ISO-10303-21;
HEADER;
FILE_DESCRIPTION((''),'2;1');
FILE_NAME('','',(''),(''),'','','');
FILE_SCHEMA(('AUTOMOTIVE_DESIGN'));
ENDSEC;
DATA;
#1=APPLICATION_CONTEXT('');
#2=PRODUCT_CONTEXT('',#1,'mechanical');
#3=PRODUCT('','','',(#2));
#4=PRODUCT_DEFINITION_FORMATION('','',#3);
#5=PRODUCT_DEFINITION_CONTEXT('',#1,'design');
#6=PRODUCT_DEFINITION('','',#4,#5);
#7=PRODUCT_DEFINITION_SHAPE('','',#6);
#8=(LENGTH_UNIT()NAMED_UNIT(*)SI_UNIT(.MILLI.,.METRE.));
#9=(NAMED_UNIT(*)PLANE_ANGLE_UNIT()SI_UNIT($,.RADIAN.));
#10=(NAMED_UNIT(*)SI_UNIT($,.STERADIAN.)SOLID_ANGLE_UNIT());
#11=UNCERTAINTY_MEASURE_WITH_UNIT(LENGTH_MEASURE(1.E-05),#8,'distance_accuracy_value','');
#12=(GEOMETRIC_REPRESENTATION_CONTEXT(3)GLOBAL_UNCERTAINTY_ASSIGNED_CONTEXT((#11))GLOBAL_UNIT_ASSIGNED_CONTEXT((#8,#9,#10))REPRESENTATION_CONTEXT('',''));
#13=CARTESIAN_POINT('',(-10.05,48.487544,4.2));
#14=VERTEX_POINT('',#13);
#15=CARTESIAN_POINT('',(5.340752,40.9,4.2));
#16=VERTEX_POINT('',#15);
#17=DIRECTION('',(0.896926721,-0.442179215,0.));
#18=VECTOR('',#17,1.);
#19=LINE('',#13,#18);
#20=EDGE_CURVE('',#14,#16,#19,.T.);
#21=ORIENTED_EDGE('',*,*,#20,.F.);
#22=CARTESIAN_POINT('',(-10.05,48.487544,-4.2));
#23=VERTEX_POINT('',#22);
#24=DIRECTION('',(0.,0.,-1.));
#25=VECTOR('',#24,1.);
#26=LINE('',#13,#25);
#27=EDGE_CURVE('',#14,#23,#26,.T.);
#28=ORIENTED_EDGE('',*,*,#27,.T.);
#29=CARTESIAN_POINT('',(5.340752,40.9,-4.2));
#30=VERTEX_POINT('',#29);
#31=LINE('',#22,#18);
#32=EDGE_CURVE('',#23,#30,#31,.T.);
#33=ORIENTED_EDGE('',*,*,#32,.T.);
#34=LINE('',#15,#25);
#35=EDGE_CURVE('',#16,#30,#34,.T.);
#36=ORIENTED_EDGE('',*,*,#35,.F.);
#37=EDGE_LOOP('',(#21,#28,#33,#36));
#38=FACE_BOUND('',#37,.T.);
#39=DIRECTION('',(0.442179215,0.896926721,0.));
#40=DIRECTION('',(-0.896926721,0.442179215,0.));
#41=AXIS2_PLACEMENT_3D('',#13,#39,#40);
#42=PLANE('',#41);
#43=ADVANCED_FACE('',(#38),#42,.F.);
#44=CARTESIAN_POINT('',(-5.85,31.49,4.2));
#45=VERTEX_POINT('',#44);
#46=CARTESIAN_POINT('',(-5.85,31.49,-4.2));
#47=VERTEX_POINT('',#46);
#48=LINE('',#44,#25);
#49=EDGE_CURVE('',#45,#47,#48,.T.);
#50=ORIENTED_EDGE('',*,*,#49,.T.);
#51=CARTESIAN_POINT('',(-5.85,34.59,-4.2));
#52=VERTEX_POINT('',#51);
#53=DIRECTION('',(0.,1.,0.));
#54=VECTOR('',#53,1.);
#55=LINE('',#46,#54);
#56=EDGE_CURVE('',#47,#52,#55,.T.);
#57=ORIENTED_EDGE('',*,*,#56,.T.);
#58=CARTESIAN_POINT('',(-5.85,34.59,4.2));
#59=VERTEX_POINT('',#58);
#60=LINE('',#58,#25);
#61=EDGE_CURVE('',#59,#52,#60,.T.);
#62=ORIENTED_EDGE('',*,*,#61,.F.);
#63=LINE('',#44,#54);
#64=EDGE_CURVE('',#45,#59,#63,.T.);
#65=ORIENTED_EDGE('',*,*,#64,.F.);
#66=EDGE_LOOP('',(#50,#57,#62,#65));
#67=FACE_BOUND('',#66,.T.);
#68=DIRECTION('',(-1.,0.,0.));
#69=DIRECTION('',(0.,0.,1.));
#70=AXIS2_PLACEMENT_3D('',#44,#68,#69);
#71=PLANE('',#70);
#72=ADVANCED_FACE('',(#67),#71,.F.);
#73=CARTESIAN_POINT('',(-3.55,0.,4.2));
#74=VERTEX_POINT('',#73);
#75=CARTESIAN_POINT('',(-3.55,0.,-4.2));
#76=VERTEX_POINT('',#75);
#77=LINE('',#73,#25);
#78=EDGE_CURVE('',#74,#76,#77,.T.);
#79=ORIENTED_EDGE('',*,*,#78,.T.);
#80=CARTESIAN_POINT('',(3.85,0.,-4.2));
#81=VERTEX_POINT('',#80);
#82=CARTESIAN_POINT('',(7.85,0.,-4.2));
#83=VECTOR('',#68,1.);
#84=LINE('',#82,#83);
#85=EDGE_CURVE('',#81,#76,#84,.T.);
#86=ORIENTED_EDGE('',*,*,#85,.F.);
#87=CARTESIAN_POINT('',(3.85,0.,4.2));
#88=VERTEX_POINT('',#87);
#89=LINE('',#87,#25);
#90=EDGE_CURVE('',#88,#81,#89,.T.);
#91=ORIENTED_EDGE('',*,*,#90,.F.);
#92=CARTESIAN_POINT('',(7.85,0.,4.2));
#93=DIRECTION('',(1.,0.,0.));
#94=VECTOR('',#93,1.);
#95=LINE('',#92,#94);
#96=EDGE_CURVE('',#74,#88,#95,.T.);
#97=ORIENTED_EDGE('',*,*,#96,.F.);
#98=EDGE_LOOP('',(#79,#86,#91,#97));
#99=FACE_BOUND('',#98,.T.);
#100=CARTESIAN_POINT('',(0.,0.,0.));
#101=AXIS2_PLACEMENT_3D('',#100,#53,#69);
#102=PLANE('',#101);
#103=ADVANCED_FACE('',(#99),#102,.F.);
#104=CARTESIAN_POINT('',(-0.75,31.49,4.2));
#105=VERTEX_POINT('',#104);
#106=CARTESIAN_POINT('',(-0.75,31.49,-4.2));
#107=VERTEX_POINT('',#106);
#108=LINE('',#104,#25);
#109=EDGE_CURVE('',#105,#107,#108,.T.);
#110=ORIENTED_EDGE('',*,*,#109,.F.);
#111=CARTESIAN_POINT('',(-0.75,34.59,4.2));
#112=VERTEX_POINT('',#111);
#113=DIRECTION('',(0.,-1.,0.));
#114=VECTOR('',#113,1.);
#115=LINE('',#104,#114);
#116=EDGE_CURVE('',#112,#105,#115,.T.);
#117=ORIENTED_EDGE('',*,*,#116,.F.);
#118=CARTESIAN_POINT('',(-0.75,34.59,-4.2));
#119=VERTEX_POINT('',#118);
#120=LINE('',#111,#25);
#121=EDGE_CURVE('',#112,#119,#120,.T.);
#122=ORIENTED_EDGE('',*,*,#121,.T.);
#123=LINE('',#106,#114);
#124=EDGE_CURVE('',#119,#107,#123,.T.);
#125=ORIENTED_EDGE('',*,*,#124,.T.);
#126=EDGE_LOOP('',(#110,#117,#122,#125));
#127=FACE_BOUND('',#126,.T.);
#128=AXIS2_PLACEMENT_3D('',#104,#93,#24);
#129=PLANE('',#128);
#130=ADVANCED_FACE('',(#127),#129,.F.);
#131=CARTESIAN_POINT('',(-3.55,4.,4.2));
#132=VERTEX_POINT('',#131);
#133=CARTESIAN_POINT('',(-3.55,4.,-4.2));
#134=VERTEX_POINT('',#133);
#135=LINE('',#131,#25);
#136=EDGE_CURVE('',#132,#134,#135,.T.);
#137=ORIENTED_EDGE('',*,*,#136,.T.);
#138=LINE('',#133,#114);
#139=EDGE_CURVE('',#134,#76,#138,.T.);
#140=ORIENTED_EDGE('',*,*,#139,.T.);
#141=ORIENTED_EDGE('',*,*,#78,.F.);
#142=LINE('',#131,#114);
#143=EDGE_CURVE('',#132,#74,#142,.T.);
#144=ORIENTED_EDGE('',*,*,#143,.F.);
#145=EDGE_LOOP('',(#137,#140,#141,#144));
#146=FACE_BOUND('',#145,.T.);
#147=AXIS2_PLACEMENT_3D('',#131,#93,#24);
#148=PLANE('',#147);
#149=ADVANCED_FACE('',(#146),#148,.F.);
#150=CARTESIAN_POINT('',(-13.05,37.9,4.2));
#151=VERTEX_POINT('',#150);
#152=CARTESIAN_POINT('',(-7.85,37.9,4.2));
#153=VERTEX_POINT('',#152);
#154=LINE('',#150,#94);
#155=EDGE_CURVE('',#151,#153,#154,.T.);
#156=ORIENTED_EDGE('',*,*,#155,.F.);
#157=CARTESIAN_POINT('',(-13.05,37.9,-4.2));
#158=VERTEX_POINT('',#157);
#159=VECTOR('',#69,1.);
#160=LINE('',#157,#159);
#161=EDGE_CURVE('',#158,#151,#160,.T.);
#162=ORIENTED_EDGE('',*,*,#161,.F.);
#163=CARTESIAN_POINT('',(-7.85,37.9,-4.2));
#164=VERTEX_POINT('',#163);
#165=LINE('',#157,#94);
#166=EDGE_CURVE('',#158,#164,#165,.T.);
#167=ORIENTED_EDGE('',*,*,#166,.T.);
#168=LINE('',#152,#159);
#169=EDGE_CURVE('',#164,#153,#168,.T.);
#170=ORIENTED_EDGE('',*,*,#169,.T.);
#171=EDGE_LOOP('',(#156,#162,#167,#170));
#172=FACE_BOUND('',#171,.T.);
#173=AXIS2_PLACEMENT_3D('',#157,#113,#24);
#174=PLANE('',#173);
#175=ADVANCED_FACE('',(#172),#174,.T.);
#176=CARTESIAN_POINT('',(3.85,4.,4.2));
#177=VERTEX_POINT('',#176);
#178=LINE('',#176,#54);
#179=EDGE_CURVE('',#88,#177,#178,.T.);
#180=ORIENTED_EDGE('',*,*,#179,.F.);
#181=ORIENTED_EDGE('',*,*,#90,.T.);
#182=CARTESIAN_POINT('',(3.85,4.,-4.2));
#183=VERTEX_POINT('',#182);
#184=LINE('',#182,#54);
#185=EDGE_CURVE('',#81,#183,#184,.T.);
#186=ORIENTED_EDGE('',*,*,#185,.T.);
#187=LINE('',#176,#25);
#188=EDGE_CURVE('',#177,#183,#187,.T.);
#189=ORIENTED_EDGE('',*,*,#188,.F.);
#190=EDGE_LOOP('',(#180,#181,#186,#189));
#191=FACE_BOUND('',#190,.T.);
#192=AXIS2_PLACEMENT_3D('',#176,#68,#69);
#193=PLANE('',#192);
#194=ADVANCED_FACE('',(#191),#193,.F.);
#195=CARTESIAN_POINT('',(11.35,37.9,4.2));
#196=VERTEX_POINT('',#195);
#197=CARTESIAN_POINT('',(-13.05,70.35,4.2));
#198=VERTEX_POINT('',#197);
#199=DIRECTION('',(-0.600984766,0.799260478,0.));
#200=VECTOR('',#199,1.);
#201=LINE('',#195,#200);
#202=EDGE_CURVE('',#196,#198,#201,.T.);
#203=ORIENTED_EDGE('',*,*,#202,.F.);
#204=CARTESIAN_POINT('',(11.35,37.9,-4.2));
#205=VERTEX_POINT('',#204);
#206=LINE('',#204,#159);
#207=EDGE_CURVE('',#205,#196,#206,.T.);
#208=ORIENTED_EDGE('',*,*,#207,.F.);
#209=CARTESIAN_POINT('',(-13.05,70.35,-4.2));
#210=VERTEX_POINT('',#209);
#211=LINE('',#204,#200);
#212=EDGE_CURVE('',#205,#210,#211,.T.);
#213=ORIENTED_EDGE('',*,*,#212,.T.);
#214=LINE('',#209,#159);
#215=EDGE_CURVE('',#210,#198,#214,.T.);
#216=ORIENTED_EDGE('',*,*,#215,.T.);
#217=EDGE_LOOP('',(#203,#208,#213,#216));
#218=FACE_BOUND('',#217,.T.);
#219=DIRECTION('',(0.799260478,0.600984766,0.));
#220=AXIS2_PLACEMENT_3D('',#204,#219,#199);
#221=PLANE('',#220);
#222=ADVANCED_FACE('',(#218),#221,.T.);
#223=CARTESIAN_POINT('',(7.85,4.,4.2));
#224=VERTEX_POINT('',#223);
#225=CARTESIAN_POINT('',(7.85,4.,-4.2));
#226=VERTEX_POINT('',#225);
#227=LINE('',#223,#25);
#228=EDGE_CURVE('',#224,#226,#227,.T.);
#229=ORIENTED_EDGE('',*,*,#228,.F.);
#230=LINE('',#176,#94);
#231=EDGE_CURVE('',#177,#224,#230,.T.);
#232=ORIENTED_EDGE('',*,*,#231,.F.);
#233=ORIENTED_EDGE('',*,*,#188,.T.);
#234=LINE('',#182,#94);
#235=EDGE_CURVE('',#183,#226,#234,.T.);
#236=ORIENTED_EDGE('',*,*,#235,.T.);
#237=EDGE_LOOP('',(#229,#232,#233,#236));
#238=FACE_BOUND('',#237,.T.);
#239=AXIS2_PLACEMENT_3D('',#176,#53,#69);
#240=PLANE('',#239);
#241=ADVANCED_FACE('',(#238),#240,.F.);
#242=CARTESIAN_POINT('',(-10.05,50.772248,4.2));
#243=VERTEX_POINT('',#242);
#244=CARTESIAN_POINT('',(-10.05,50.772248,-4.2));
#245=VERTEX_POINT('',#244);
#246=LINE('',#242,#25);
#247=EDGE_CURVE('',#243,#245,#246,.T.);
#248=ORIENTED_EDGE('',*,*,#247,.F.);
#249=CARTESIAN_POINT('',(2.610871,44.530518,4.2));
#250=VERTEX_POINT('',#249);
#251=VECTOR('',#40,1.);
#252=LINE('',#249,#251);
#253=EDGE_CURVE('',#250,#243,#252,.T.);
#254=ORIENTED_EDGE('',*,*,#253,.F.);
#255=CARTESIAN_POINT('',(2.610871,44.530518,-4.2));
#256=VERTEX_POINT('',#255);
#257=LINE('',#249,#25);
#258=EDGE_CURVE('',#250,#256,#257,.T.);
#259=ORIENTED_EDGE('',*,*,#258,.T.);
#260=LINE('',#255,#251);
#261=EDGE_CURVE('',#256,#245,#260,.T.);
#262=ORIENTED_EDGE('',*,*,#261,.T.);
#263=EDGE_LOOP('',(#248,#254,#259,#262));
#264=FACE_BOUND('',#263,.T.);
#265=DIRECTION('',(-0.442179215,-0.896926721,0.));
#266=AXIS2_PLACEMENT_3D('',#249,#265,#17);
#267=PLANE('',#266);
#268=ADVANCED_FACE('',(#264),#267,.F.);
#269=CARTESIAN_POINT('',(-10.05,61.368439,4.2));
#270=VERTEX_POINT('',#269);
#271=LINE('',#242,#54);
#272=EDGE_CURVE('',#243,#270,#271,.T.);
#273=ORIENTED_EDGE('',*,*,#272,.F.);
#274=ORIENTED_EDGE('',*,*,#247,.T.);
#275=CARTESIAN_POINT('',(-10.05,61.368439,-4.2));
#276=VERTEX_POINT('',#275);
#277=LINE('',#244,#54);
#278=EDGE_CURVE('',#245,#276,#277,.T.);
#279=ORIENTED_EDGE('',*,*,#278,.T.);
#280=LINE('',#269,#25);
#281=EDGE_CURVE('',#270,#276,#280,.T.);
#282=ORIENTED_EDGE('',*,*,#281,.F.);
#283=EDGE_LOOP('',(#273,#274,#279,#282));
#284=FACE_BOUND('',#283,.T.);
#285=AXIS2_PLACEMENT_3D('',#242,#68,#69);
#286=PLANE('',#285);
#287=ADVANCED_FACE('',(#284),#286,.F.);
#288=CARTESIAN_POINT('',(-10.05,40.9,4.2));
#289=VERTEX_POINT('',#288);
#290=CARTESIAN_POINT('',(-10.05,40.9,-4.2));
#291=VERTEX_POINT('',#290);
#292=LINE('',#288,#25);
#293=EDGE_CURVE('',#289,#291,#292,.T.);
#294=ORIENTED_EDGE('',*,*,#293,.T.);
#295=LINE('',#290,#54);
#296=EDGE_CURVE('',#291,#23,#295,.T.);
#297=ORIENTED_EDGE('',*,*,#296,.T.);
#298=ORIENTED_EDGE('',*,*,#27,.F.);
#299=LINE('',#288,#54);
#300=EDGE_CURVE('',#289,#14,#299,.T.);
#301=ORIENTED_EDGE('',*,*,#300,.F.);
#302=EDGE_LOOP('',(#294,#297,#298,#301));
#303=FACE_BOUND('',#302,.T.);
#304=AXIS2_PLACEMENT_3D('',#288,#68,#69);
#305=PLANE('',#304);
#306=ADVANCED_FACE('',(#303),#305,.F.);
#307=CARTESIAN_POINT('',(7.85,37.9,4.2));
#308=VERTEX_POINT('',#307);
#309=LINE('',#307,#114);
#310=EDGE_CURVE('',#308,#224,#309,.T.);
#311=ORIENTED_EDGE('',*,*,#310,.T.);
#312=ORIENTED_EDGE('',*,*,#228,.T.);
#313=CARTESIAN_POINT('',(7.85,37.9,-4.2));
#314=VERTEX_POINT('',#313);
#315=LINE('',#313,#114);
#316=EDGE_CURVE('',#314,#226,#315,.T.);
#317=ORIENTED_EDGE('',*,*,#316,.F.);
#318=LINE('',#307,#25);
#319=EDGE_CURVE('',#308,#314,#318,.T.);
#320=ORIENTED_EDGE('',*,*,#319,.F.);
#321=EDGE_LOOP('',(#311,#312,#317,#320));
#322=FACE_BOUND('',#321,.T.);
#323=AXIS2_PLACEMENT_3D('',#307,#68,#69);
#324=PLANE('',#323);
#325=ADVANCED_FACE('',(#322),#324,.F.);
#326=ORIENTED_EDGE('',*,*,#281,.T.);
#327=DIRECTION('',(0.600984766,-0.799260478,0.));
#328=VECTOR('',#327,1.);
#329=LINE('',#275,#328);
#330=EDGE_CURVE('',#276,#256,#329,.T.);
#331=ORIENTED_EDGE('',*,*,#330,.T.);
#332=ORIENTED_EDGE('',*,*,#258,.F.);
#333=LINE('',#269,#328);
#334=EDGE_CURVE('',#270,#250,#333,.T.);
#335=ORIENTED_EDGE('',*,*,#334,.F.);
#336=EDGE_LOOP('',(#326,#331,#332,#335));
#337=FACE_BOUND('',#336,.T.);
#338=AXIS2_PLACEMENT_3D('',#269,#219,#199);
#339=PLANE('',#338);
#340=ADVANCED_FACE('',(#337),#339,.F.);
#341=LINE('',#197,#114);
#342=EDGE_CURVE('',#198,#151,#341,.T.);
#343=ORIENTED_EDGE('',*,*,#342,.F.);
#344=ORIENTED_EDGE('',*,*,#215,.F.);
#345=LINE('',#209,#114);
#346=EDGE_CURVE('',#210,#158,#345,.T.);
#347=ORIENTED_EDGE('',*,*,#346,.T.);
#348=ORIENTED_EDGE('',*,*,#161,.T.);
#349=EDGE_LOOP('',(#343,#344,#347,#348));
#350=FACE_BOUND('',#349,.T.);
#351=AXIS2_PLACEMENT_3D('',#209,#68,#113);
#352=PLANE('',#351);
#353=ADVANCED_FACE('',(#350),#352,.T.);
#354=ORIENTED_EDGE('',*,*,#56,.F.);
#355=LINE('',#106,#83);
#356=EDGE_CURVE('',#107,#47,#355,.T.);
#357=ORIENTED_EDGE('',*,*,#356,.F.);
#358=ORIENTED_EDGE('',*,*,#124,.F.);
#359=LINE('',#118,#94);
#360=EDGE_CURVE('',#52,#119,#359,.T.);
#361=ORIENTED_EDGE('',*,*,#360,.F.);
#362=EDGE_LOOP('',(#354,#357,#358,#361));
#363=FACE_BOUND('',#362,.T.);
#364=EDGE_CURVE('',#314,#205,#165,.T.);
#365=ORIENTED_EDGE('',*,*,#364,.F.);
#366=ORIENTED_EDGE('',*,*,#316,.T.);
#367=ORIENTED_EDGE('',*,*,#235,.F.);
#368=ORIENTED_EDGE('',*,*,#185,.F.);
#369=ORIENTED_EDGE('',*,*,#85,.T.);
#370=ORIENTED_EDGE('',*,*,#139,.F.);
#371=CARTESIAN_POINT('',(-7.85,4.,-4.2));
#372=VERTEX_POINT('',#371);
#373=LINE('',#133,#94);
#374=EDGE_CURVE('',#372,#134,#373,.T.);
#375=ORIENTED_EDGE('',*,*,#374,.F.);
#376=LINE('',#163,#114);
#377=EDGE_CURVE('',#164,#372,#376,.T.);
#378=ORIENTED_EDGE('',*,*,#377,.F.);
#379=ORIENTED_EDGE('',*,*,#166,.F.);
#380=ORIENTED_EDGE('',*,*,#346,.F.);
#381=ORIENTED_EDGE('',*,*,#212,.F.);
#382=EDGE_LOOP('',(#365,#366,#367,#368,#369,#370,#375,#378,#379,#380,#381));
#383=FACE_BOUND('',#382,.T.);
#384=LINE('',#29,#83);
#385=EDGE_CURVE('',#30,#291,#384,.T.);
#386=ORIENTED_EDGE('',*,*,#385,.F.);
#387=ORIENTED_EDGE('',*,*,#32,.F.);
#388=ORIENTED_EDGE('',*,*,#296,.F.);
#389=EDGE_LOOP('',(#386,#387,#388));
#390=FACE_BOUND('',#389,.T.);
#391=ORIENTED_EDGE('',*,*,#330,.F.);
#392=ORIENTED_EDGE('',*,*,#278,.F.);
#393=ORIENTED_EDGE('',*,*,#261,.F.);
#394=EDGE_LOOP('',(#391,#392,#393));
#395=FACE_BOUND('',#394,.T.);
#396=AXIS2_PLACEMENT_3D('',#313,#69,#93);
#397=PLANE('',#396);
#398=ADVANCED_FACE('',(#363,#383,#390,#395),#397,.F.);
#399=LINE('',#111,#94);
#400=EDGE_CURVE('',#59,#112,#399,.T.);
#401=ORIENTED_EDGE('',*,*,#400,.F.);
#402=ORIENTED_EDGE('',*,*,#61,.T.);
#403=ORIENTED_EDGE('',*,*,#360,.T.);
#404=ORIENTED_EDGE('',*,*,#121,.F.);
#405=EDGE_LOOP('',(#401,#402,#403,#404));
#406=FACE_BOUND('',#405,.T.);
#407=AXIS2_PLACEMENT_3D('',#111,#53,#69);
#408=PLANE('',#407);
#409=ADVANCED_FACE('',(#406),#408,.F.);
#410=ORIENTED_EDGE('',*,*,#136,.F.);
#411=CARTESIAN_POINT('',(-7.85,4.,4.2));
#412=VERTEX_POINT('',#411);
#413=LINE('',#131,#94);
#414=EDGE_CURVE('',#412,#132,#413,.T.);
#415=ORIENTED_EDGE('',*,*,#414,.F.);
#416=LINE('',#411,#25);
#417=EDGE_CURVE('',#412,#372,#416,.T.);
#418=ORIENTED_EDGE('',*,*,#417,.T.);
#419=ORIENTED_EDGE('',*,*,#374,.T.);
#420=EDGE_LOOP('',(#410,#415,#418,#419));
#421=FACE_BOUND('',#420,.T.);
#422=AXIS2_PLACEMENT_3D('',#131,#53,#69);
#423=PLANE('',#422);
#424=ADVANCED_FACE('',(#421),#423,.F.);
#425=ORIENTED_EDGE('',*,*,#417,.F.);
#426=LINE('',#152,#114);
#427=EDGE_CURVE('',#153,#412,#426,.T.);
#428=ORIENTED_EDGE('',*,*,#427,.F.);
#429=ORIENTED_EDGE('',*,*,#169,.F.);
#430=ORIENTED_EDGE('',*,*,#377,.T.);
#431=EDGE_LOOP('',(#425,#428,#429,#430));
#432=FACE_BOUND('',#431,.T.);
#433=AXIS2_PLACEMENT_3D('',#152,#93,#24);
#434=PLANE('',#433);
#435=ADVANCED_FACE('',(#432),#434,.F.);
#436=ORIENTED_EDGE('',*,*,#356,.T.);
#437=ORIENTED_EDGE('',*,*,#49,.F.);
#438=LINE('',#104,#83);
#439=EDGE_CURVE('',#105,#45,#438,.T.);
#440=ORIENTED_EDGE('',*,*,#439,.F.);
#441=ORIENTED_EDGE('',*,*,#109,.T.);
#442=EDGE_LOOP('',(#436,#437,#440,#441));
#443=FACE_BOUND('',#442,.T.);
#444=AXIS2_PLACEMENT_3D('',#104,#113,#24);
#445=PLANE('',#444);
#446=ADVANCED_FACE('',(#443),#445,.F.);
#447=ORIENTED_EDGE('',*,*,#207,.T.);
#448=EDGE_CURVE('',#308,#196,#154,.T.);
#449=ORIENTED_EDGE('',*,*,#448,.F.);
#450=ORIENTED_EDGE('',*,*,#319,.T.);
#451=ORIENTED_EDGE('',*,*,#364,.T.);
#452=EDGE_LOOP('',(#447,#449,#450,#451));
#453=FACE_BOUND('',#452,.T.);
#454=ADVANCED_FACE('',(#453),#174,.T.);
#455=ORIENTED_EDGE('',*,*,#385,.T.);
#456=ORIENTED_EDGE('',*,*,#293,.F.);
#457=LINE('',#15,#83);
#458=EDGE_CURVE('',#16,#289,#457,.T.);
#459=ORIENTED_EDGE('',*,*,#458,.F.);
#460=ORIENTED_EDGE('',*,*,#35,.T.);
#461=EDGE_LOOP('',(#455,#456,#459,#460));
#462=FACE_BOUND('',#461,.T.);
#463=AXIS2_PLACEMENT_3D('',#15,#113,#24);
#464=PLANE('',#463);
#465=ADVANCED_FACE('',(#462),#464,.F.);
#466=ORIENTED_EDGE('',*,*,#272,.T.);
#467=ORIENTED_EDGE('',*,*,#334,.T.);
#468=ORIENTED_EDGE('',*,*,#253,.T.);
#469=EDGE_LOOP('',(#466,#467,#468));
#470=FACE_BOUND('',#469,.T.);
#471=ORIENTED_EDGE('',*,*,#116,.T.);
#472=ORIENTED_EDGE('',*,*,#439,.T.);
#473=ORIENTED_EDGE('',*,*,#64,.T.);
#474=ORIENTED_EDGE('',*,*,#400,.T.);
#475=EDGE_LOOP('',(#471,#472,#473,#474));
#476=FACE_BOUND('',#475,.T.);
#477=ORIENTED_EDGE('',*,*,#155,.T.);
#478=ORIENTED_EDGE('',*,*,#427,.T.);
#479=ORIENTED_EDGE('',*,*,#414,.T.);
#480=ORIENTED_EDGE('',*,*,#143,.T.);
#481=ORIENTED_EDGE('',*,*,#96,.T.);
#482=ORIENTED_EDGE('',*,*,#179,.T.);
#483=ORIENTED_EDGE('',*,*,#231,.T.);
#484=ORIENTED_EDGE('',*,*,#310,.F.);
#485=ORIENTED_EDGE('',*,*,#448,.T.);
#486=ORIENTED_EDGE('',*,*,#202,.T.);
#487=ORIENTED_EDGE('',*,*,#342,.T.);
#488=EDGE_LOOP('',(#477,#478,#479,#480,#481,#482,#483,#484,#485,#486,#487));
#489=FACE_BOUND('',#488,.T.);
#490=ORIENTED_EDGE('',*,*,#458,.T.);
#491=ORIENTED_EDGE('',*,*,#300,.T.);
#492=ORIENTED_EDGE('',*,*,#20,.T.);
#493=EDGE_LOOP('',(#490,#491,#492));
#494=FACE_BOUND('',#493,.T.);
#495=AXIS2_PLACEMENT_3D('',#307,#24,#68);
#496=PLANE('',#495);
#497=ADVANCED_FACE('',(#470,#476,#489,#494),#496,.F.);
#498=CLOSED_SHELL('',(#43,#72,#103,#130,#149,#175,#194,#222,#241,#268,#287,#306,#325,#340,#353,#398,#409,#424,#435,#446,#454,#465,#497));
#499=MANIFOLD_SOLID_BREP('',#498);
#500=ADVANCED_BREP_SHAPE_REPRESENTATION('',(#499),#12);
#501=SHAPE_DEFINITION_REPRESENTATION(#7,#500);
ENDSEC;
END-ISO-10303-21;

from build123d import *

# Parameters (mm, degrees)
SKETCH_1_W          = 15.7
SKETCH_1_H          = 8.4
EXTRUDE_1_DEPTH     = 37.9
EXTRUDE_2_DEPTH     = 8.4
CUT_EXTRUDE_1_DEPTH = 73.041550511
SKETCH_4_W          = 4.3
SKETCH_4_H          = 4
SKETCH_4_W_2        = 4
CUT_EXTRUDE_2_DEPTH = 73.041550511
SKETCH_5_W          = 5.1
SKETCH_5_H          = 3.1
CUT_EXTRUDE_3_DEPTH = 73.041550511


with BuildPart() as part:
    # ｽｹｯﾁ1 → ﾎﾞｽ - 押し出し1 (new body)
    with BuildSketch(Plane(origin=(0, 0, 0), x_dir=(1, 0, 0), z_dir=(0, 1, 0))):
        Rectangle(SKETCH_1_W, SKETCH_1_H)
    extrude(amount=EXTRUDE_1_DEPTH)

    # ｽｹｯﾁ2 → ﾎﾞｽ - 押し出し2 (add)
    with BuildSketch(Plane.XY.offset(4.2)):
        Polygon((-13.05, 37.9), (11.35, 37.9), (-13.05, 70.35), align=None)
    extrude(amount=-EXTRUDE_2_DEPTH)

    # ｽｹｯﾁ3 → ｶｯﾄ - 押し出し1 (cut, through all)
    with BuildSketch(Plane(origin=(0, 0, -4.2), x_dir=(-1, 0, 0), z_dir=(0, 0, -1))):
        Polygon((10.05, 61.368438838), (-2.610871129, 44.530518012), (10.05, 50.772247606), align=None)
        Polygon((-5.340752161, 40.9), (10.05, 40.9), (10.05, 48.487543721), align=None)
    extrude(amount=-CUT_EXTRUDE_1_DEPTH, mode=Mode.SUBTRACT)

    # ｽｹｯﾁ4 → ｶｯﾄ - 押し出し2 (cut, through all)
    with BuildSketch(Plane(origin=(0, 0, -4.2), x_dir=(-1, 0, 0), z_dir=(0, 0, -1))):
        with Locations((5.7, 2)):
            Rectangle(SKETCH_4_W, SKETCH_4_H)
        with Locations((-5.85, 2)):
            Rectangle(SKETCH_4_W_2, SKETCH_4_H)
    extrude(amount=-CUT_EXTRUDE_2_DEPTH, mode=Mode.SUBTRACT)

    # ｽｹｯﾁ5 → ｶｯﾄ - 押し出し3 (cut, through all)
    with BuildSketch(Plane(origin=(0, 0, -4.2), x_dir=(-1, 0, 0), z_dir=(0, 0, -1))):
        with Locations((3.3, 33.04)):
            Rectangle(SKETCH_5_W, SKETCH_5_H)
    extrude(amount=-CUT_EXTRUDE_3_DEPTH, mode=Mode.SUBTRACT)


solid = part.part
